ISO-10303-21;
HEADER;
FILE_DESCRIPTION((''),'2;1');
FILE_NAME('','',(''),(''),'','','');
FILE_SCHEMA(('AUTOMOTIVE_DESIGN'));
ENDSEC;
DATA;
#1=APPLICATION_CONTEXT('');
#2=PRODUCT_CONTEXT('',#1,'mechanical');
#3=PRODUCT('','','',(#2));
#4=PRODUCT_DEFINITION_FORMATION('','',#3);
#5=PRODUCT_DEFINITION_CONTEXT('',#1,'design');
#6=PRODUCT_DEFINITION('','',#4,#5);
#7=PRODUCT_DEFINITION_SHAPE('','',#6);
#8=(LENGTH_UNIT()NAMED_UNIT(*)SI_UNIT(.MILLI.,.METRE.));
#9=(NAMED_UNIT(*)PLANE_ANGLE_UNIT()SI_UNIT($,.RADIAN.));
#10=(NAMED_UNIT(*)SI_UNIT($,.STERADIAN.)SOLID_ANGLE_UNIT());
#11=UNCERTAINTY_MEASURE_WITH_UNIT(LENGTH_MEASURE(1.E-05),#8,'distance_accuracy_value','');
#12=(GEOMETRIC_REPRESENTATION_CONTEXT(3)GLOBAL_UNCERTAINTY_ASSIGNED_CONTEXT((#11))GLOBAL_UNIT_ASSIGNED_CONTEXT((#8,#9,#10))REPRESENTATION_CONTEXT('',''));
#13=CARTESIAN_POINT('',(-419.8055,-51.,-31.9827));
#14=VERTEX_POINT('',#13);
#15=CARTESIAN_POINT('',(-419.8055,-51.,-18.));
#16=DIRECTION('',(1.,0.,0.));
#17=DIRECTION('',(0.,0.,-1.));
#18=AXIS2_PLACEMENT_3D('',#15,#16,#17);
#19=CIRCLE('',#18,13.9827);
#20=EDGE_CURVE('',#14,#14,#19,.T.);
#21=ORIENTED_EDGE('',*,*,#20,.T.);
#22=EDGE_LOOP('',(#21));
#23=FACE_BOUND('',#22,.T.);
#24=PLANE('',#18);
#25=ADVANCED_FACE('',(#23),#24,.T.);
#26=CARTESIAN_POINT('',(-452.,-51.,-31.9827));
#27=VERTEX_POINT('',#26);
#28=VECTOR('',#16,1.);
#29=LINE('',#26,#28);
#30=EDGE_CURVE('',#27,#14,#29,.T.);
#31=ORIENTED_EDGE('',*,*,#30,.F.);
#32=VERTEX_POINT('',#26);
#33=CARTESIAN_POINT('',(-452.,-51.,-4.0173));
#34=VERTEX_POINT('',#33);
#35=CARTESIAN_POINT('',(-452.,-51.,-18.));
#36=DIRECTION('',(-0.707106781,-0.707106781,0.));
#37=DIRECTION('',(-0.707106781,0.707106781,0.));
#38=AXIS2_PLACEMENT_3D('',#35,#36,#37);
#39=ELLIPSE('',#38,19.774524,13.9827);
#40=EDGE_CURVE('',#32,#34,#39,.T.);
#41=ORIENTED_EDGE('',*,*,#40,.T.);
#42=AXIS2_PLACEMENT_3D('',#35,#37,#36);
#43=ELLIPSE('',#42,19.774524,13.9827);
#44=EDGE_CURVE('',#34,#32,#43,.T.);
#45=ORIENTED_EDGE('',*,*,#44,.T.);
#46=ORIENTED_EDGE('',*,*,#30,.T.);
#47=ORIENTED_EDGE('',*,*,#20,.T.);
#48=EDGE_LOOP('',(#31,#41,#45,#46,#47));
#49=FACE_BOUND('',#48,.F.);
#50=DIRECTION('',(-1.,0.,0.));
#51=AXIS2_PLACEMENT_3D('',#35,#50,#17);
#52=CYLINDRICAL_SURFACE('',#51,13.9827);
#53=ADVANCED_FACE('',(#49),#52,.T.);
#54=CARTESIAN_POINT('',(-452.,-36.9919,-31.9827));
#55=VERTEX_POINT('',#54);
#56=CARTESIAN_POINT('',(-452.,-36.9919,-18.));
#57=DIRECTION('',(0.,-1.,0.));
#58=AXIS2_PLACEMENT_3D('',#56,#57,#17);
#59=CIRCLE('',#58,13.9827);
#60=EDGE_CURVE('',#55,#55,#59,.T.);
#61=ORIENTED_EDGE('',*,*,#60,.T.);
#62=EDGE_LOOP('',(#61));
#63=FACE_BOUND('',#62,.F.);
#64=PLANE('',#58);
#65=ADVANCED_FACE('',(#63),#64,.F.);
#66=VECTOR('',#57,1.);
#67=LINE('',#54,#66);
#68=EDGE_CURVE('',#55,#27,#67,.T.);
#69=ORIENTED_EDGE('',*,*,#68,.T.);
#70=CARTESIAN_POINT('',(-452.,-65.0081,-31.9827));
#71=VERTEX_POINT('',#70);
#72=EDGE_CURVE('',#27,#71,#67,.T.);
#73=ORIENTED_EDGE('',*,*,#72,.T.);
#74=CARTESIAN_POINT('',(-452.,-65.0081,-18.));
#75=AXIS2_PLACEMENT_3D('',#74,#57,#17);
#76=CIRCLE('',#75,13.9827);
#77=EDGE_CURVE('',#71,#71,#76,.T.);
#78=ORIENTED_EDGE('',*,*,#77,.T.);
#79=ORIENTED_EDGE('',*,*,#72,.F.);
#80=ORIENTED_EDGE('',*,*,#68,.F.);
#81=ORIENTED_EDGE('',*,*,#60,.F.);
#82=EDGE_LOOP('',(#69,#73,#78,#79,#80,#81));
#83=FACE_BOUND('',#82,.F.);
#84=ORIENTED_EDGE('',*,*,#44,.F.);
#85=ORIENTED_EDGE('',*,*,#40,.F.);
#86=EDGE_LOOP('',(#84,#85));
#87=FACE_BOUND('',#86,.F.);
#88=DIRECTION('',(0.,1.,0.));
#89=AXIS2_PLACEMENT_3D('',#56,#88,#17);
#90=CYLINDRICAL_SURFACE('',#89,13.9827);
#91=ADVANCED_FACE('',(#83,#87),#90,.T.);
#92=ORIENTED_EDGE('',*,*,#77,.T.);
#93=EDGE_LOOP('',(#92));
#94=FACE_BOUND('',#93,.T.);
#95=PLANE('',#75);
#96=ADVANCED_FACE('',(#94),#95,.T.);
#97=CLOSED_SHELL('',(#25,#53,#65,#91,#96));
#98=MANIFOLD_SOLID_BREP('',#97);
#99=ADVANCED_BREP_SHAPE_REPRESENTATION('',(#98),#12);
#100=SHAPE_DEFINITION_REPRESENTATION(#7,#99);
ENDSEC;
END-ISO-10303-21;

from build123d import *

# Parameters (mm, degrees)
CYLINDER062_R             = 13.9827
CYLINDER062_DEPTH         = 28.0162
CYLINDER061_R             = 13.9827
CYLINDER061_DEPTH         = 32.1945
FUSION023_PLACEMENT_ANGLE = 90


with BuildPart() as cylinder062:
    # Cylinder062 → Cylinder062 (new body)
    with BuildSketch(Plane.XZ.offset(-14.0081)):
        Circle(CYLINDER062_R)
    extrude(amount=CYLINDER062_DEPTH)


with BuildPart() as rear_outer_slip_l:
    # Cylinder061 → Cylinder061 (new body)
    with BuildSketch(Plane.XY):
        Circle(CYLINDER061_R)
    extrude(amount=CYLINDER061_DEPTH)

    # Fusion023: union Cylinder062
    add(cylinder062.part)


with BuildPart() as rear_outer_slip_l_1:
    # Fusion023 placement: moved
    add(rear_outer_slip_l.part.moved(Location((-452, -51, -18))).rotate(Axis((-452, -51, -18), (0, 1, 0)), FUSION023_PLACEMENT_ANGLE))


solid = rear_outer_slip_l_1.part
